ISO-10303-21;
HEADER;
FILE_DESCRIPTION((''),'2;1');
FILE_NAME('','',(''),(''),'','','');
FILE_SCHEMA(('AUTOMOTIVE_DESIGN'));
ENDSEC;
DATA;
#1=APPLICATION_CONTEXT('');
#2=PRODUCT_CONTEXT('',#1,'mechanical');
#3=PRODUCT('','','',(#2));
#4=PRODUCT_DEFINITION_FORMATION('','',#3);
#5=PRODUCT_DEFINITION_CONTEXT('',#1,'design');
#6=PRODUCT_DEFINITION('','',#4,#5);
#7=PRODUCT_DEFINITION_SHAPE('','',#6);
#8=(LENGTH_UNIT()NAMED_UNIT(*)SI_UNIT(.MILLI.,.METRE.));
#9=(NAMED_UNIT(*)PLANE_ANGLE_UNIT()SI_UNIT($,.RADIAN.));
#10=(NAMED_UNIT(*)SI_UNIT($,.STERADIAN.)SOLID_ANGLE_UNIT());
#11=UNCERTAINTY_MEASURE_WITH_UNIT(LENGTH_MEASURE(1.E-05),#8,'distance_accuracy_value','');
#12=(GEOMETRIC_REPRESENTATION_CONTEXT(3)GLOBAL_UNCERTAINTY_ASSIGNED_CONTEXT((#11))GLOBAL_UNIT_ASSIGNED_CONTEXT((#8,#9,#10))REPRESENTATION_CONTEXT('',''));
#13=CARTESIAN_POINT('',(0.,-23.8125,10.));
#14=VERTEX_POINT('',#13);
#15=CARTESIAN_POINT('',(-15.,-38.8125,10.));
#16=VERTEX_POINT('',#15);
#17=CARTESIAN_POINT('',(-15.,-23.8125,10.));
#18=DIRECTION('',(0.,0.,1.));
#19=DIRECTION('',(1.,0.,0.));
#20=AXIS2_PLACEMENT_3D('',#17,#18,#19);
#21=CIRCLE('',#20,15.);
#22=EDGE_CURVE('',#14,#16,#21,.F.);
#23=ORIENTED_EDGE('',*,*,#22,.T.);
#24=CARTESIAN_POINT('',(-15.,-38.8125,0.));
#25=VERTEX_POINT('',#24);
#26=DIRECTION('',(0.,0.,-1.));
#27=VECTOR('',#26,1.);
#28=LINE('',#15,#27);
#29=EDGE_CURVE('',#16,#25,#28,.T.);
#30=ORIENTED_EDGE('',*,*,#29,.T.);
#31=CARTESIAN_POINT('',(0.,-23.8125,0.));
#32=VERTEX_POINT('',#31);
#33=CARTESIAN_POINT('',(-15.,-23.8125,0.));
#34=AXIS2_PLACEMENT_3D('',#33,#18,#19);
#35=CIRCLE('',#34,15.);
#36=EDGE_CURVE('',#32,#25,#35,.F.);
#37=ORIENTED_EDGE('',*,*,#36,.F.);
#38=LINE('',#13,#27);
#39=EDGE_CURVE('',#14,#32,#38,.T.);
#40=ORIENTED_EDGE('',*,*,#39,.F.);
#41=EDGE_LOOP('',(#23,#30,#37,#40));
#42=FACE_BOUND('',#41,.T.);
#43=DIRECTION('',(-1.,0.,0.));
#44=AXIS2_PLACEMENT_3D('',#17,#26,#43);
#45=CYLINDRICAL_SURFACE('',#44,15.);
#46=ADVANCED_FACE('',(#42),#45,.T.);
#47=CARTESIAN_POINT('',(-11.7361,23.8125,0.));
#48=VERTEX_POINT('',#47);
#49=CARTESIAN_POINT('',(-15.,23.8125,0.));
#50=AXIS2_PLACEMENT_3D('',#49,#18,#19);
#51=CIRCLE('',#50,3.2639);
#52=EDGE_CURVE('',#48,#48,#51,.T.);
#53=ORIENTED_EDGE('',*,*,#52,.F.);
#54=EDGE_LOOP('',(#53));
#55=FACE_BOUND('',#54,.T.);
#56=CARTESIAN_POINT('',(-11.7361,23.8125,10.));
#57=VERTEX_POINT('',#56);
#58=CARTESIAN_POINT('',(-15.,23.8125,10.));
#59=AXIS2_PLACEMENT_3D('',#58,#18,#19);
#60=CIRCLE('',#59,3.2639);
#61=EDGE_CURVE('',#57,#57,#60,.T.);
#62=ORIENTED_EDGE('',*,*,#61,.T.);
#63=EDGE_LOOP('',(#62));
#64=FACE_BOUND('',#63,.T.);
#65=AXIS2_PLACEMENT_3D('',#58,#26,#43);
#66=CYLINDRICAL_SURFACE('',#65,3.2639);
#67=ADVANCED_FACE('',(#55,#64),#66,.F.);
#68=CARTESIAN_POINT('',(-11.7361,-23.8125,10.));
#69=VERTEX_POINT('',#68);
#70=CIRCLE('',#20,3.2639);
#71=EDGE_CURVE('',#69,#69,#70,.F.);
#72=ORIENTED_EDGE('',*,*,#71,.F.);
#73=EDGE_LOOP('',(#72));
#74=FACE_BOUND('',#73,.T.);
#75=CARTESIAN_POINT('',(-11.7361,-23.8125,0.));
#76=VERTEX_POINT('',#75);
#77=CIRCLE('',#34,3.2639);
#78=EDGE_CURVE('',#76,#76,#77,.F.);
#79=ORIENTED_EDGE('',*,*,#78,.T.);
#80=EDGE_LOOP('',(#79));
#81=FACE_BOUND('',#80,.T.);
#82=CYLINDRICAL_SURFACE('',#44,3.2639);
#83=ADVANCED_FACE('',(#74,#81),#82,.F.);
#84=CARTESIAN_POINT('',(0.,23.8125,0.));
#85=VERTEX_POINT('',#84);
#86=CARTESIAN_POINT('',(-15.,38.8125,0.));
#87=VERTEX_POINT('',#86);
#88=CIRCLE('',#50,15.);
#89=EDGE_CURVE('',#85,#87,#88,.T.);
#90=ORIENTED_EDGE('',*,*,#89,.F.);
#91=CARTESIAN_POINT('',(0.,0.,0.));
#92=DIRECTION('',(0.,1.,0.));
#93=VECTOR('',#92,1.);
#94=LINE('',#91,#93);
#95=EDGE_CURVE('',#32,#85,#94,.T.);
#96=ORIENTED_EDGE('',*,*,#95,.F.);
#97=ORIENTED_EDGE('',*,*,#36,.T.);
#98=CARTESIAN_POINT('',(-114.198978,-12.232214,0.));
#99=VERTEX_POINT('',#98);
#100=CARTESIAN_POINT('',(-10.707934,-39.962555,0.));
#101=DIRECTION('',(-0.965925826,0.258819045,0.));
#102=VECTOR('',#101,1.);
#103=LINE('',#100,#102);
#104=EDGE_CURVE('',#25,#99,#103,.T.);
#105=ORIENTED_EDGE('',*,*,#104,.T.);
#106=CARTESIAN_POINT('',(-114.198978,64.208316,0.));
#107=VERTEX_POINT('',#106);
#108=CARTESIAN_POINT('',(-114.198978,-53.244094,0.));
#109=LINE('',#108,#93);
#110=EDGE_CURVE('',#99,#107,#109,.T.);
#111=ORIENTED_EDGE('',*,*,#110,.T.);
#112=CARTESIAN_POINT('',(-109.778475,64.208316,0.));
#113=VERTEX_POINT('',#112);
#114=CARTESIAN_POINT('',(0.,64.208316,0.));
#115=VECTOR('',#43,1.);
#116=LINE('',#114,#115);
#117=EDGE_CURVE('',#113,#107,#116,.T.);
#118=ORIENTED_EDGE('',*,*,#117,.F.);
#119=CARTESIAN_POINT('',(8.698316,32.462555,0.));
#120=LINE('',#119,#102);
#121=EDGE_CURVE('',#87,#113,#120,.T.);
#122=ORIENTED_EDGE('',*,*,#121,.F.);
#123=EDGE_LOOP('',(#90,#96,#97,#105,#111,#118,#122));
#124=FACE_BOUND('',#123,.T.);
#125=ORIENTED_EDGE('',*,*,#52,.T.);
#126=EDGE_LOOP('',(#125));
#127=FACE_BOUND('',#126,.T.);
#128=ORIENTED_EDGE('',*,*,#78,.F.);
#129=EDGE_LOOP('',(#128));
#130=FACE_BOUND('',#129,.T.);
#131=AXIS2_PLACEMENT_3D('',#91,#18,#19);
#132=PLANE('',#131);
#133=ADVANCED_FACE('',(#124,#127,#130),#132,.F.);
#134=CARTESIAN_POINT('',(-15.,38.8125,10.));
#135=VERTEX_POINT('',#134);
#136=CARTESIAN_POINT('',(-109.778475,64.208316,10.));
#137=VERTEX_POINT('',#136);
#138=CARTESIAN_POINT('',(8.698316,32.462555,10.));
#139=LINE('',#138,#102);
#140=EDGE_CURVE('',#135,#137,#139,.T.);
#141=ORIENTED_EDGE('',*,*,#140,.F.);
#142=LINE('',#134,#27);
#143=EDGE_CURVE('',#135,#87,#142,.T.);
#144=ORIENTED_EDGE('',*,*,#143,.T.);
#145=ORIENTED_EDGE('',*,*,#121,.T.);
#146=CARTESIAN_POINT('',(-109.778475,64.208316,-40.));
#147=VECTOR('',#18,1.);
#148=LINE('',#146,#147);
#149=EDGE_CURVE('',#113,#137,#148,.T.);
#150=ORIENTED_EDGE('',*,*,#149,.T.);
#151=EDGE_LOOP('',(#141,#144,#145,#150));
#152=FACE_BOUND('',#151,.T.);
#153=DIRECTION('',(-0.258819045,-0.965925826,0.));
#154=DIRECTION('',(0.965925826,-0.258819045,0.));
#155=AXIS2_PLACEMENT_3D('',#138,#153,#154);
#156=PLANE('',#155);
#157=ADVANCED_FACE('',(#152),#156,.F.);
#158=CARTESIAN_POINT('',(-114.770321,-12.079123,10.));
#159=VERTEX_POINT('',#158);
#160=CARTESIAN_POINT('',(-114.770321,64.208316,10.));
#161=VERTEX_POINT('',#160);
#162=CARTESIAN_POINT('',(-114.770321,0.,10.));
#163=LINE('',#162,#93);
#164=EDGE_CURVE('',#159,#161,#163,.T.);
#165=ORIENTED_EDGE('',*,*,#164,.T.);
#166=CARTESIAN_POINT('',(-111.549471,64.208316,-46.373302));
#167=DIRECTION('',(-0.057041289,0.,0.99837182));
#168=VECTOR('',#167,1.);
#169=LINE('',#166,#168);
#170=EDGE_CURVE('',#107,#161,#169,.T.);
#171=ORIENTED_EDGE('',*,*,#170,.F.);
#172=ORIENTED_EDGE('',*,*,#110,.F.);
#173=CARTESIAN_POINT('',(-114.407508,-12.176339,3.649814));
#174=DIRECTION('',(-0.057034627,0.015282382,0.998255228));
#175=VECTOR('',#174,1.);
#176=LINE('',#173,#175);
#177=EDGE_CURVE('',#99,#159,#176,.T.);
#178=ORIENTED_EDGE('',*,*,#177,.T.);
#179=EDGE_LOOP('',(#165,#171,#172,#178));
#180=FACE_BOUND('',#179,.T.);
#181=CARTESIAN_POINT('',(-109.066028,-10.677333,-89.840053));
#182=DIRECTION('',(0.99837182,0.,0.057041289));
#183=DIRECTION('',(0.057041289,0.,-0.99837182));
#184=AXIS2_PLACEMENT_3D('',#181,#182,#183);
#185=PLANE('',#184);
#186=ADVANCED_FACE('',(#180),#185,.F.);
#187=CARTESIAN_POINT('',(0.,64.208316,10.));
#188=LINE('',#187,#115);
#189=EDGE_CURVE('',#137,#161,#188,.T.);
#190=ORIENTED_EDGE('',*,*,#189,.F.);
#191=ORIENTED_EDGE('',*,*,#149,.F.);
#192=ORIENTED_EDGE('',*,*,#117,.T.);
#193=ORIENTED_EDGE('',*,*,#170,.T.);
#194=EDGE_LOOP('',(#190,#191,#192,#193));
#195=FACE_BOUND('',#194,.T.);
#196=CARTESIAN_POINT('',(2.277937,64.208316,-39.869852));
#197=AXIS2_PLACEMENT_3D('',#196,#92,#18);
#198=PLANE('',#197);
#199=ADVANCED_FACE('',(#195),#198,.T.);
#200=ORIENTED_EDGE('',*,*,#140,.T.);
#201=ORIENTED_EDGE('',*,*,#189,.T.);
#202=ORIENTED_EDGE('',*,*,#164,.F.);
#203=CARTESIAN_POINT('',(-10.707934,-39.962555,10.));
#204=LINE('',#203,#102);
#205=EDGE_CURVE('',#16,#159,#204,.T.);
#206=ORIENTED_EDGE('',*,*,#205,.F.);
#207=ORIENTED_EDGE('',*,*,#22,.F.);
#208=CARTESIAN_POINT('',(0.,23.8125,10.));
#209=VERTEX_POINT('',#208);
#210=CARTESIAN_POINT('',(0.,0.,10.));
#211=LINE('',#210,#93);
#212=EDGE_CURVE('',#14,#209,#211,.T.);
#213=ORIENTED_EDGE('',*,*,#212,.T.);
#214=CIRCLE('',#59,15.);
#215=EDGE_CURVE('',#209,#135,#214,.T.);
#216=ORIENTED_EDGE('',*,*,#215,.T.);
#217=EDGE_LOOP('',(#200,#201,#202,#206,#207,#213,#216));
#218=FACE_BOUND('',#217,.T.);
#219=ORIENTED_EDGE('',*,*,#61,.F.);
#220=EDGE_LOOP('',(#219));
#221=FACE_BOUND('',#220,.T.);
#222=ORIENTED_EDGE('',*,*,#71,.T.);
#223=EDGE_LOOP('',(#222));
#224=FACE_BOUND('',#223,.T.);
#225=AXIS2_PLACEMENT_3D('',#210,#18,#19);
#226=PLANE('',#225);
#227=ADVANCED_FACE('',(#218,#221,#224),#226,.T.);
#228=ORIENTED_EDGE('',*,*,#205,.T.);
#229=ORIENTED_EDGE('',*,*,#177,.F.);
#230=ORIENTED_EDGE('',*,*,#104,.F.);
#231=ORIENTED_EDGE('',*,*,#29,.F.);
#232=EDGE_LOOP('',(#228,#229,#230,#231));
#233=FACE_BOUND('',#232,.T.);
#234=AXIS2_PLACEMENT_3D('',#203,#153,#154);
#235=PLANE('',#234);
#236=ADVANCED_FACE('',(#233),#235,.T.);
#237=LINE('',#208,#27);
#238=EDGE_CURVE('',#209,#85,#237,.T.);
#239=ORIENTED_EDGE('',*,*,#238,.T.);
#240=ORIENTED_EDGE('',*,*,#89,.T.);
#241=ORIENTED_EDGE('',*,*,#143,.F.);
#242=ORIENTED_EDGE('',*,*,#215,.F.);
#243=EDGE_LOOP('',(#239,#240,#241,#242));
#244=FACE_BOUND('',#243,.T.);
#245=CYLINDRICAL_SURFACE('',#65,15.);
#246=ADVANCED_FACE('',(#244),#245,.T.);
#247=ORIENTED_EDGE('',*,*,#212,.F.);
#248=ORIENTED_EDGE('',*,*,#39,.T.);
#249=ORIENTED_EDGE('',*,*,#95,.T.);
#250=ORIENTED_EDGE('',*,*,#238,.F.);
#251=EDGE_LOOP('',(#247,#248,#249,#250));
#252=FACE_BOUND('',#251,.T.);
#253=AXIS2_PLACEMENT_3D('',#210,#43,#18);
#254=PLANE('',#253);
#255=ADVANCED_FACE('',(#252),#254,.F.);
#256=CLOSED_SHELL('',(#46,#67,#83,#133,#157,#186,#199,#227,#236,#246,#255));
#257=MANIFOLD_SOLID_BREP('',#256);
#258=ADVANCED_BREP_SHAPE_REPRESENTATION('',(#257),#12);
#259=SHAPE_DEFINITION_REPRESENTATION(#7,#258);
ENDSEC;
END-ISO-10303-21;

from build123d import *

# Parameters (mm, degrees)
SKETCH1_R               = 3.2639
BOSS_EXTRUDE1_DEPTH     = 10
SKETCH2_W               = 55.96454122
SKETCH2_H               = 39.556429901
BOSS_EXTRUDE2_DEPTH     = 50
CUT_EXTRUDE1_DEPTH      = 3.621876658
CUT_EXTRUDE1_DEPTH_BACK = 57.750909587
CUT_EXTRUDE3_DEPTH      = 104.020815944
BOSS_EXTRUDE3_REACH     = 105.021
SKETCH10_R              = 90
CUT_EXTRUDE4_DEPTH      = 50
CUT_EXTRUDE6_DEPTH      = 2.714029404
CUT_EXTRUDE6_DEPTH_BACK = 57.750909587


with BuildPart() as part:
    # Sketch1 → Boss-Extrude1 (new body)
    with BuildSketch(Plane.XY):
        with BuildLine():
            ThreePointArc((0, -23.8125), (-4.393398282, -34.419101718), (-15, -38.8125))
            Line((-15, -38.8125), (-119.778475404, -10.737192131))
            Line((-119.778475404, -10.737192131), (-119.778475404, 66.887807869))
            Line((-119.778475404, 66.887807869), (-15, 38.8125))
            ThreePointArc((-15, 38.8125), (-4.393398282, 34.419101718), (0, 23.8125))
            Line((0, 23.8125), (0, -23.8125))
        make_face()
        with Locations((-15, 23.8125)):
            Circle(SKETCH1_R, mode=Mode.SUBTRACT)
        with Locations((-15, -23.8125)):
            Circle(SKETCH1_R, mode=Mode.SUBTRACT)
    extrude(amount=BOSS_EXTRUDE1_DEPTH)

    # Sketch2 → Boss-Extrude2 (add)
    with BuildSketch(Plane.XY.offset(10)):
        with Locations((-137.760746014, 83.986530895)):
            Rectangle(SKETCH2_W, SKETCH2_H)
    extrude(amount=-BOSS_EXTRUDE2_DEPTH)

    # Sketch4 → Cut-Extrude1 (cut, two sides)
    with BuildSketch(Plane(origin=(-0.959208406, 0, 16.788657247), x_dir=(0, 1, 0), z_dir=(-0.057041289, 0, 0.99837182))) as cut_extrude1_sk:
        with BuildLine():
            ThreePointArc((64.208315944, 114.013041626), (81.708315944, 131.513041626), (64.208315944, 149.013041626))
            Line((64.208315944, 149.013041626), (64.208315944, 176.700065815))
            Line((64.208315944, 176.700065815), (111.984574651, 176.700065815))
            Line((111.984574651, 176.700065815), (111.984574651, 106.901315277))
            Line((111.984574651, 106.901315277), (64.208315944, 106.901315277))
            Line((64.208315944, 106.901315277), (64.208315944, 114.013041626))
        make_face()
        with BuildLine():
            Line((64.208315944, 144.013041626), (64.208315944, 119.013041626))
            ThreePointArc((64.208315944, 119.013041626), (76.708315944, 131.513041626), (64.208315944, 144.013041626))
        make_face()
    extrude(amount=CUT_EXTRUDE1_DEPTH, mode=Mode.SUBTRACT)
    extrude(cut_extrude1_sk.sketch, amount=-CUT_EXTRUDE1_DEPTH_BACK, mode=Mode.SUBTRACT)

    # Sketch7 → Cut-Extrude3 (cut, through all)
    with BuildSketch(Plane(origin=(0, 64.208315944, 0), x_dir=(1, 0, 0), z_dir=(0, 1, 0))):
        Polygon((-119.778475404, 0), (-119.207132269, 0), (-119.778475404, -10), align=None)
    extrude(amount=-CUT_EXTRUDE3_DEPTH, mode=Mode.SUBTRACT)

    # Boss-Extrude3: up to this face of the body (flat: up to its plane)
    boss_extrude3_end = Plane(part.part.faces().sort_by_distance((-67.246532084, -24.813083921, 5.004556479))[0])
    # Sketch8 → Boss-Extrude3 (add, up to the picked face)
    with BuildSketch(Plane.XZ.offset(-64.208315944), mode=Mode.PRIVATE) as boss_extrude3_sk1:
        Polygon((-119.207132269, 0), (-116.92175973, -40), (-111.913605554, -40), (-114.198978093, 0), align=None)
    boss_extrude3_tool1 = split(extrude(boss_extrude3_sk1.sketch, amount=BOSS_EXTRUDE3_REACH, mode=Mode.PRIVATE), bisect_by=boss_extrude3_end, keep=Keep.BOTH, mode=Mode.PRIVATE)
    add(boss_extrude3_tool1.solids().sort_by_distance((-115.560369, 64.208316, -20))[0])

    # Sketch10 → Cut-Extrude4 (cut)
    with BuildSketch(Plane(origin=(-113.827407897, 0, -6.503450805), x_dir=(0.057041289, 0, -0.99837182), z_dir=(0.99837182, 0, 0.057041289))):
        with Locations((83.472510719, -10.677332841)):
            Circle(SKETCH10_R)
    extrude(amount=-CUT_EXTRUDE4_DEPTH, mode=Mode.SUBTRACT)

    # Sketch14 → Cut-Extrude6 (cut, two sides)
    with BuildSketch(Plane(origin=(-0.959208406, 0, 16.788657247), x_dir=(0, 1, 0), z_dir=(-0.057041289, 0, 0.99837182))) as cut_extrude6_sk:
        Polygon((64.208315944, 114.013041626), (103.707100536, 114.013041626), (103.707100536, 158.820530176), (-53.093138129, 158.820530176), (-49.03095578, 114.013041626), align=None)
    extrude(amount=CUT_EXTRUDE6_DEPTH, mode=Mode.SUBTRACT)
    extrude(cut_extrude6_sk.sketch, amount=-CUT_EXTRUDE6_DEPTH_BACK, mode=Mode.SUBTRACT)


solid = part.part
